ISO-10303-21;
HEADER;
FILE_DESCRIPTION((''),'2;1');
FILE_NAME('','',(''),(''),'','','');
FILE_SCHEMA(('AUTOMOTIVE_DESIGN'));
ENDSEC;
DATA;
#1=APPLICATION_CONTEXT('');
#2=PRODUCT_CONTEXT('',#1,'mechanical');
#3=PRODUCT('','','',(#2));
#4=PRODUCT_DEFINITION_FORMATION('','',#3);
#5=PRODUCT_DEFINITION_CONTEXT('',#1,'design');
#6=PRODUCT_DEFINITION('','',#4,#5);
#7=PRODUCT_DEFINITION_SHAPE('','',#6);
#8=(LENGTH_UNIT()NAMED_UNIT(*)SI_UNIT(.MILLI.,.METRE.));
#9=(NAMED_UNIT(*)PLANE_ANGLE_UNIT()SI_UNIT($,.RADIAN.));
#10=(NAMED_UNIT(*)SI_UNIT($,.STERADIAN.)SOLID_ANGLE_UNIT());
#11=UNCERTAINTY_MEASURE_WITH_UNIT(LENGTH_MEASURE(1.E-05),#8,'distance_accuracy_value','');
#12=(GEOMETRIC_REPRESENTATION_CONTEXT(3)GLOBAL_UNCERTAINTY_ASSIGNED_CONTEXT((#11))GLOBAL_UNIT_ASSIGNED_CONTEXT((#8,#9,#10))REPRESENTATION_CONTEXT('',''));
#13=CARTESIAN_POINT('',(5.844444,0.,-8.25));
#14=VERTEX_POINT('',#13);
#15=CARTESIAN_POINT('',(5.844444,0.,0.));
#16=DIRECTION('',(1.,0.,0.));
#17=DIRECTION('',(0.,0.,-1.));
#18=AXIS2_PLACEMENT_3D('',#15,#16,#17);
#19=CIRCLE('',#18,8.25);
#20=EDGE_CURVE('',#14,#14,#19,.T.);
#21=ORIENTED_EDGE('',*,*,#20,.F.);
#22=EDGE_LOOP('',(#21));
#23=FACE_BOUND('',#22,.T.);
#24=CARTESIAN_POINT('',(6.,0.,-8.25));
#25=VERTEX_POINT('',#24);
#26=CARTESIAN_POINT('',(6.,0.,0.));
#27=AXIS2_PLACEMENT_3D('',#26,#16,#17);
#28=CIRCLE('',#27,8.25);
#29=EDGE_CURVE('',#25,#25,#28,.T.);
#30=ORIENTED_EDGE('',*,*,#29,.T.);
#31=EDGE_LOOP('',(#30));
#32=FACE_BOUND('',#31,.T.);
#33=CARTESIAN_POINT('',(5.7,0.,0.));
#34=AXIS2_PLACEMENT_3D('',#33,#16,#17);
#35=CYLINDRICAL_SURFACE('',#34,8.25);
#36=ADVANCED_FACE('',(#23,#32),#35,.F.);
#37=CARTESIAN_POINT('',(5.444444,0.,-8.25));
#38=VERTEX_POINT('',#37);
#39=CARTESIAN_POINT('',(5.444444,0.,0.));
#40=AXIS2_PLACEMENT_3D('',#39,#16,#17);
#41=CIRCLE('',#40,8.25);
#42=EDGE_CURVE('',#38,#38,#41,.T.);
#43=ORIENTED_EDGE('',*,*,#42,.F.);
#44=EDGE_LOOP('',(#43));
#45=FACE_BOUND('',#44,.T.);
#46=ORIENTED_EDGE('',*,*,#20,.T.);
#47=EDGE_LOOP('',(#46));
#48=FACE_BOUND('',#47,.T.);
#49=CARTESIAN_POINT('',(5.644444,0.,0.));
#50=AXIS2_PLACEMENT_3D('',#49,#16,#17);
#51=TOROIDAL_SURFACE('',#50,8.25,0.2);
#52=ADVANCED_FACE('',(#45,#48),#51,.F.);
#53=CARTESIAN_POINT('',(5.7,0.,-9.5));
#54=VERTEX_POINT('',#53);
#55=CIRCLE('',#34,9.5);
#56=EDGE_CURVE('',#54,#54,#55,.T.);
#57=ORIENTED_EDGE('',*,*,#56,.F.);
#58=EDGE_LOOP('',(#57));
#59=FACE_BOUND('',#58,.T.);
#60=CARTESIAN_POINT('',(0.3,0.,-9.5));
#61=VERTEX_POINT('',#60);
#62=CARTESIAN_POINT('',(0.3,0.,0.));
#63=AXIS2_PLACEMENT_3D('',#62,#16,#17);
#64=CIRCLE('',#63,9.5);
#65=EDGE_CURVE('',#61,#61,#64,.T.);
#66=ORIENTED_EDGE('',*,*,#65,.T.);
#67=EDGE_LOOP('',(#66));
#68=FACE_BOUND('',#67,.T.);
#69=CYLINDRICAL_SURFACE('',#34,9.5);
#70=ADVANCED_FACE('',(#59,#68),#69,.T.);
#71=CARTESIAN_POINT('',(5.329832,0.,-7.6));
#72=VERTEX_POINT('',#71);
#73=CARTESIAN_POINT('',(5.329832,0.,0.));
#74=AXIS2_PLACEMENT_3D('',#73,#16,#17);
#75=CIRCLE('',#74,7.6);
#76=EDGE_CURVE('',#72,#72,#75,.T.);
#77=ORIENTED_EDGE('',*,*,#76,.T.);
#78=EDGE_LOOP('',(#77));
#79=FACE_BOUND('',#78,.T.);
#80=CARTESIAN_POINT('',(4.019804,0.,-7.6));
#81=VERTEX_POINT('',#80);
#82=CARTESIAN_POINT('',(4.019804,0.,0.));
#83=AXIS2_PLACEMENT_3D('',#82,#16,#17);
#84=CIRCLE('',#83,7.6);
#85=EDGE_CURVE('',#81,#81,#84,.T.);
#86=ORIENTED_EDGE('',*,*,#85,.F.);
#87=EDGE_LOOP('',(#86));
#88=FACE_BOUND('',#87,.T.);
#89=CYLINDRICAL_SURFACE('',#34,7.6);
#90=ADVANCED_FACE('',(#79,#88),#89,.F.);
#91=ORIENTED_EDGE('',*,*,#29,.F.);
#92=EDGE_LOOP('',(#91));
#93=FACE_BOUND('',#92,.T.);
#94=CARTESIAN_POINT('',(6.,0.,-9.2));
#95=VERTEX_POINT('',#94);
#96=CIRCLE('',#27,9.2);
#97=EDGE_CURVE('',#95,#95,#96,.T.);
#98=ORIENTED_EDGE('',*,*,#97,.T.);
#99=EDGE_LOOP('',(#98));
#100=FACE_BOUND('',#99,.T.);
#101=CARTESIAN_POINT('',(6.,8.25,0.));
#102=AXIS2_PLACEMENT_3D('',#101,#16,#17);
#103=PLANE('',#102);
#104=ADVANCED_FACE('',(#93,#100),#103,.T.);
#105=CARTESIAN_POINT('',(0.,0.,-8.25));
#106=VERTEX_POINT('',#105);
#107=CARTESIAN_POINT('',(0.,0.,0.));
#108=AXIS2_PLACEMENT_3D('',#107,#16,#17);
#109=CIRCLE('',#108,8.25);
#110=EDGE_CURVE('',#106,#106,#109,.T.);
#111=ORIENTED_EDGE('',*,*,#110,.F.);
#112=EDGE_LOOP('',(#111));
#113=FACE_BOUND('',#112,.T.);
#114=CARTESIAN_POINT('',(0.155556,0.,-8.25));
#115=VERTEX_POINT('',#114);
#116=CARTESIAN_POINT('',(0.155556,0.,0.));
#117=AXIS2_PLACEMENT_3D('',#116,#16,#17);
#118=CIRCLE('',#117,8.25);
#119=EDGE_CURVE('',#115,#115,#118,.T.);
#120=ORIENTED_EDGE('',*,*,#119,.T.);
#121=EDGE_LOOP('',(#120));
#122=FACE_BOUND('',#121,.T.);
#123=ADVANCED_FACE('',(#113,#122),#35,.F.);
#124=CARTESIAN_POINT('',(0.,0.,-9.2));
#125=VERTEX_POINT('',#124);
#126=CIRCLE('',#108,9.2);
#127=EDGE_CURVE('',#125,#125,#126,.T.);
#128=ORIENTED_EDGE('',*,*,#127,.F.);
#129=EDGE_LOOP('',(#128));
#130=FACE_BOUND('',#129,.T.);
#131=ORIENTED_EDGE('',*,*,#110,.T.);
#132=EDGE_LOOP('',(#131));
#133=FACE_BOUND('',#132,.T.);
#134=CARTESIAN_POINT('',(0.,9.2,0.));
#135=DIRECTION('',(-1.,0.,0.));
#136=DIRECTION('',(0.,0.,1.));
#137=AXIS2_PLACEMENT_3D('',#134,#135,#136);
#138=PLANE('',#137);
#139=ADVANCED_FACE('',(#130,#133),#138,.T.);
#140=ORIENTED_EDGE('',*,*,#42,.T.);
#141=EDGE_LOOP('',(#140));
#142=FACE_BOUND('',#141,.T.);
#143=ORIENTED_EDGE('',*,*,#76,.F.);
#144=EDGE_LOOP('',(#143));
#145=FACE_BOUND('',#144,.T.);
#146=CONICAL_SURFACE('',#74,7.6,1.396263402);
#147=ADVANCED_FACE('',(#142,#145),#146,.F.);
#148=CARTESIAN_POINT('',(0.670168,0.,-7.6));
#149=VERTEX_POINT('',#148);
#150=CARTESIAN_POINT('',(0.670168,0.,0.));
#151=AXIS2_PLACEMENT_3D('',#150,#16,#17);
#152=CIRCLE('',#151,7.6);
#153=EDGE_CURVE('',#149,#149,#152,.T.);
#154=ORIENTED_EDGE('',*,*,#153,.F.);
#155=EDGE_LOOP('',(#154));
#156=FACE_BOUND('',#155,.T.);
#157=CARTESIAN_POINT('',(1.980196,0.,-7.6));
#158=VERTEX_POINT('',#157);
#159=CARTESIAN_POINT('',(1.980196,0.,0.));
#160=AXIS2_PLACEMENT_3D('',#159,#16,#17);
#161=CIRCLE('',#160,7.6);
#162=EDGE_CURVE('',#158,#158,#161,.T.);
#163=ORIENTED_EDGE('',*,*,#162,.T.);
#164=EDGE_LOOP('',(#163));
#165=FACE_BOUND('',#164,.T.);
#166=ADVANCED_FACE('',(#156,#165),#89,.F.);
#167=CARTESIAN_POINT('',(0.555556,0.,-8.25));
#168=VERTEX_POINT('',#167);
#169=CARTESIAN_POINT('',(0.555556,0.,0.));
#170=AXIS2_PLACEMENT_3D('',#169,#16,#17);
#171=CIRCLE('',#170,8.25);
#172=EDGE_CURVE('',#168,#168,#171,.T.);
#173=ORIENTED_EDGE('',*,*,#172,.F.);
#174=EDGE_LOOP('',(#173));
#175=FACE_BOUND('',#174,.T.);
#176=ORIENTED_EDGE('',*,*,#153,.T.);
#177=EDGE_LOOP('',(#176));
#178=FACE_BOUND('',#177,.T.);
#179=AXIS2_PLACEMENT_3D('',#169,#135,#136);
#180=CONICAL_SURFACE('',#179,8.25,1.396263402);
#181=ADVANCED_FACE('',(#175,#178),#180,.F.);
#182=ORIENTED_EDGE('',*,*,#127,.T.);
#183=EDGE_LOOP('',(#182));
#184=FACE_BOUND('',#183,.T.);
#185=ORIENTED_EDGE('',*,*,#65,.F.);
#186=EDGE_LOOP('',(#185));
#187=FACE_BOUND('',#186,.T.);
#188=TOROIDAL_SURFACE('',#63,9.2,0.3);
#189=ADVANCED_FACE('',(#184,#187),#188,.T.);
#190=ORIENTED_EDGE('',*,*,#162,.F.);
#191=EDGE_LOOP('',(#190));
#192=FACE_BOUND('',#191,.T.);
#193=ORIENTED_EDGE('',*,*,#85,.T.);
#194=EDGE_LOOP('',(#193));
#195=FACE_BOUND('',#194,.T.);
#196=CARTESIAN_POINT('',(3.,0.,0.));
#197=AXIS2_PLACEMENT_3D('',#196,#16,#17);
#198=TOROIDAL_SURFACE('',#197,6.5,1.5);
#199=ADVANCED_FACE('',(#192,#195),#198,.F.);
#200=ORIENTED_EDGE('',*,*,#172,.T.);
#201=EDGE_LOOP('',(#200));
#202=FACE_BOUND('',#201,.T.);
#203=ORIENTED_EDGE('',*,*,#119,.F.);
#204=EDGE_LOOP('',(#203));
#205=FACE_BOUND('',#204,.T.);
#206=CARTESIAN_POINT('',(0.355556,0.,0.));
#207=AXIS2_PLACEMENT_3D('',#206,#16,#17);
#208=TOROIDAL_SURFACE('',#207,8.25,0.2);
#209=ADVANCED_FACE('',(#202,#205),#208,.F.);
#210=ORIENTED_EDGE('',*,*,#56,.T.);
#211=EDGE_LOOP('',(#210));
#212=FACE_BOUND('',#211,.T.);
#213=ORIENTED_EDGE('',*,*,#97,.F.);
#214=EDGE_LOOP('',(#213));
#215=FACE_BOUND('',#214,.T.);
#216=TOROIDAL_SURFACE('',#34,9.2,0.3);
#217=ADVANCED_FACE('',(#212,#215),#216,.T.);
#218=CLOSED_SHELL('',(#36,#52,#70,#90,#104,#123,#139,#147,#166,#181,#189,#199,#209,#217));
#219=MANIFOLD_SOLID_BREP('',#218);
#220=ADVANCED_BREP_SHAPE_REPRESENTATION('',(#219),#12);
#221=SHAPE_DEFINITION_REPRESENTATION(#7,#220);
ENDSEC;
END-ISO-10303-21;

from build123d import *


with BuildPart() as part:
    # Sketch1 → Revolve1 (revolve)
    with BuildSketch(Plane.XY, mode=Mode.PRIVATE) as revolve1_sk:
        with BuildLine():
            Line((0, 9.2), (0, 8.25))
            Line((0, 8.25), (0.155555556, 8.25))
            ThreePointArc((0.155555556, 8.25), (0.355555556, 8.45), (0.555555556, 8.25))
            Line((0.555555556, 8.25), (0.670168093, 7.6))
            Line((0.670168093, 7.6), (1.980196097, 7.6))
            ThreePointArc((1.980196097, 7.6), (3, 8), (4.019803903, 7.6))
            Line((4.019803903, 7.6), (5.329831907, 7.6))
            Line((5.329831907, 7.6), (5.444444444, 8.25))
            ThreePointArc((5.444444444, 8.25), (5.644444444, 8.45), (5.844444444, 8.25))
            Line((5.844444444, 8.25), (6, 8.25))
            Line((6, 8.25), (6, 9.2))
            ThreePointArc((6, 9.2), (5.912132034, 9.412132034), (5.7, 9.5))
            Line((5.7, 9.5), (0.3, 9.5))
            ThreePointArc((0.3, 9.5), (0.087867966, 9.412132034), (0, 9.2))
        make_face()
    revolve(revolve1_sk.sketch.rotate(Axis((5.7, 0, 0), (-1, 0, 0)), 90), axis=Axis((5.7, 0, 0), (-1, 0, 0)))  # turned: the seam where the file's is


solid = part.part
